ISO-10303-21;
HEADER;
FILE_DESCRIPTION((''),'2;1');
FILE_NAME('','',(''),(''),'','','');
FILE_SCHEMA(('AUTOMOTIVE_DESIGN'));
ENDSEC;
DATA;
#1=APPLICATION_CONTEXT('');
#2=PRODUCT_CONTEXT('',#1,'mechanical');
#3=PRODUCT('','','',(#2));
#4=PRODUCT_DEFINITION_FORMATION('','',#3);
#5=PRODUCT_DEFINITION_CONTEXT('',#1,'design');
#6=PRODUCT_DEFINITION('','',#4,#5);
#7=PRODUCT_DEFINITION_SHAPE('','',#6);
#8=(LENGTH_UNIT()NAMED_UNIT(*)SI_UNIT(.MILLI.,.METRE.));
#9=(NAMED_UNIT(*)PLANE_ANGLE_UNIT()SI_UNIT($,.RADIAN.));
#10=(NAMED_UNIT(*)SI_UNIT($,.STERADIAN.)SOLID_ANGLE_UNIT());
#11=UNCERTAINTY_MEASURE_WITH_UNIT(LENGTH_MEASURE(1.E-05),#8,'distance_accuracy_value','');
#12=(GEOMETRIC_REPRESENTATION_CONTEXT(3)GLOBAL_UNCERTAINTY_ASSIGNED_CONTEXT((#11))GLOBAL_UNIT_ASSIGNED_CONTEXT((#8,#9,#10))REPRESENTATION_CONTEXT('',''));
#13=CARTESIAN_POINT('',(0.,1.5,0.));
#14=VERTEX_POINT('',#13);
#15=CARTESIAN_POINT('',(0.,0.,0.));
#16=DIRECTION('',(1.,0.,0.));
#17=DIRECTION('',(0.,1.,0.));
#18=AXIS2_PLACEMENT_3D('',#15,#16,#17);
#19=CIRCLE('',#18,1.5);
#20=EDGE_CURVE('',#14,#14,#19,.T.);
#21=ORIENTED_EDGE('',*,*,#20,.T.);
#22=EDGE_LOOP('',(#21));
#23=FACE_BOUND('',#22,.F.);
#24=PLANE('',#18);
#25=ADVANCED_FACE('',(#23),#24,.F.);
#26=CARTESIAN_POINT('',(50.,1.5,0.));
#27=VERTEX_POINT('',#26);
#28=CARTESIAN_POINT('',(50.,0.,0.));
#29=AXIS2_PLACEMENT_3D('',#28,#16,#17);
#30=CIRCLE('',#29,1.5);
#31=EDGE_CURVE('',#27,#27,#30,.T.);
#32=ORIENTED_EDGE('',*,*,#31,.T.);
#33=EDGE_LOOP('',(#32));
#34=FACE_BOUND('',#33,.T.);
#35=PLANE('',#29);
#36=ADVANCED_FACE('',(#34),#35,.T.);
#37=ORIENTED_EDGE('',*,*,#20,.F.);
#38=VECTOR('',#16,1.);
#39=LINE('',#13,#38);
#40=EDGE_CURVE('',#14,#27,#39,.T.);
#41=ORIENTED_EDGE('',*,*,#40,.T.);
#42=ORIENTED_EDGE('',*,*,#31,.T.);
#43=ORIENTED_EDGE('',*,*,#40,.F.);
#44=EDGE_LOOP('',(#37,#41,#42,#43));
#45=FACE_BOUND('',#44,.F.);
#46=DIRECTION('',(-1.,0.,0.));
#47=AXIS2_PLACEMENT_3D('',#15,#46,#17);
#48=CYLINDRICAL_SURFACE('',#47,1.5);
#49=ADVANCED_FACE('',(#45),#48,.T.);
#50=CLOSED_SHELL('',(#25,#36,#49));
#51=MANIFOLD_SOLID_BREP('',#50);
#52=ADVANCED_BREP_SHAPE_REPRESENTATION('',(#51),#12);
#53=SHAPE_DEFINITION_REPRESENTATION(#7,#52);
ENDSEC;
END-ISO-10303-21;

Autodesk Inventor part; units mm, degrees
ref_plane "YZ Plane" through (0, 0, 0) normal (1, 0, 0) x (0, 1, 0)
ref_plane "XZ Plane" through (0, 0, 0) normal (0, 1, 0) x (-1, 0, 0)
ref_plane "XY Plane" through (0, 0, 0) normal (0, 0, 1) x (1, 0, 0)
sketch "スケッチ1" plane through (0, 0, 0) normal (1, 0, 0) x (0, 1, 0)
  circle A0 centre (0, 0) radius 1.5
  dimension "d0" = 3
extrude "押し出し1" add sketch "スケッチ1" along normal blind 50
properties part number "Shaft_350"
